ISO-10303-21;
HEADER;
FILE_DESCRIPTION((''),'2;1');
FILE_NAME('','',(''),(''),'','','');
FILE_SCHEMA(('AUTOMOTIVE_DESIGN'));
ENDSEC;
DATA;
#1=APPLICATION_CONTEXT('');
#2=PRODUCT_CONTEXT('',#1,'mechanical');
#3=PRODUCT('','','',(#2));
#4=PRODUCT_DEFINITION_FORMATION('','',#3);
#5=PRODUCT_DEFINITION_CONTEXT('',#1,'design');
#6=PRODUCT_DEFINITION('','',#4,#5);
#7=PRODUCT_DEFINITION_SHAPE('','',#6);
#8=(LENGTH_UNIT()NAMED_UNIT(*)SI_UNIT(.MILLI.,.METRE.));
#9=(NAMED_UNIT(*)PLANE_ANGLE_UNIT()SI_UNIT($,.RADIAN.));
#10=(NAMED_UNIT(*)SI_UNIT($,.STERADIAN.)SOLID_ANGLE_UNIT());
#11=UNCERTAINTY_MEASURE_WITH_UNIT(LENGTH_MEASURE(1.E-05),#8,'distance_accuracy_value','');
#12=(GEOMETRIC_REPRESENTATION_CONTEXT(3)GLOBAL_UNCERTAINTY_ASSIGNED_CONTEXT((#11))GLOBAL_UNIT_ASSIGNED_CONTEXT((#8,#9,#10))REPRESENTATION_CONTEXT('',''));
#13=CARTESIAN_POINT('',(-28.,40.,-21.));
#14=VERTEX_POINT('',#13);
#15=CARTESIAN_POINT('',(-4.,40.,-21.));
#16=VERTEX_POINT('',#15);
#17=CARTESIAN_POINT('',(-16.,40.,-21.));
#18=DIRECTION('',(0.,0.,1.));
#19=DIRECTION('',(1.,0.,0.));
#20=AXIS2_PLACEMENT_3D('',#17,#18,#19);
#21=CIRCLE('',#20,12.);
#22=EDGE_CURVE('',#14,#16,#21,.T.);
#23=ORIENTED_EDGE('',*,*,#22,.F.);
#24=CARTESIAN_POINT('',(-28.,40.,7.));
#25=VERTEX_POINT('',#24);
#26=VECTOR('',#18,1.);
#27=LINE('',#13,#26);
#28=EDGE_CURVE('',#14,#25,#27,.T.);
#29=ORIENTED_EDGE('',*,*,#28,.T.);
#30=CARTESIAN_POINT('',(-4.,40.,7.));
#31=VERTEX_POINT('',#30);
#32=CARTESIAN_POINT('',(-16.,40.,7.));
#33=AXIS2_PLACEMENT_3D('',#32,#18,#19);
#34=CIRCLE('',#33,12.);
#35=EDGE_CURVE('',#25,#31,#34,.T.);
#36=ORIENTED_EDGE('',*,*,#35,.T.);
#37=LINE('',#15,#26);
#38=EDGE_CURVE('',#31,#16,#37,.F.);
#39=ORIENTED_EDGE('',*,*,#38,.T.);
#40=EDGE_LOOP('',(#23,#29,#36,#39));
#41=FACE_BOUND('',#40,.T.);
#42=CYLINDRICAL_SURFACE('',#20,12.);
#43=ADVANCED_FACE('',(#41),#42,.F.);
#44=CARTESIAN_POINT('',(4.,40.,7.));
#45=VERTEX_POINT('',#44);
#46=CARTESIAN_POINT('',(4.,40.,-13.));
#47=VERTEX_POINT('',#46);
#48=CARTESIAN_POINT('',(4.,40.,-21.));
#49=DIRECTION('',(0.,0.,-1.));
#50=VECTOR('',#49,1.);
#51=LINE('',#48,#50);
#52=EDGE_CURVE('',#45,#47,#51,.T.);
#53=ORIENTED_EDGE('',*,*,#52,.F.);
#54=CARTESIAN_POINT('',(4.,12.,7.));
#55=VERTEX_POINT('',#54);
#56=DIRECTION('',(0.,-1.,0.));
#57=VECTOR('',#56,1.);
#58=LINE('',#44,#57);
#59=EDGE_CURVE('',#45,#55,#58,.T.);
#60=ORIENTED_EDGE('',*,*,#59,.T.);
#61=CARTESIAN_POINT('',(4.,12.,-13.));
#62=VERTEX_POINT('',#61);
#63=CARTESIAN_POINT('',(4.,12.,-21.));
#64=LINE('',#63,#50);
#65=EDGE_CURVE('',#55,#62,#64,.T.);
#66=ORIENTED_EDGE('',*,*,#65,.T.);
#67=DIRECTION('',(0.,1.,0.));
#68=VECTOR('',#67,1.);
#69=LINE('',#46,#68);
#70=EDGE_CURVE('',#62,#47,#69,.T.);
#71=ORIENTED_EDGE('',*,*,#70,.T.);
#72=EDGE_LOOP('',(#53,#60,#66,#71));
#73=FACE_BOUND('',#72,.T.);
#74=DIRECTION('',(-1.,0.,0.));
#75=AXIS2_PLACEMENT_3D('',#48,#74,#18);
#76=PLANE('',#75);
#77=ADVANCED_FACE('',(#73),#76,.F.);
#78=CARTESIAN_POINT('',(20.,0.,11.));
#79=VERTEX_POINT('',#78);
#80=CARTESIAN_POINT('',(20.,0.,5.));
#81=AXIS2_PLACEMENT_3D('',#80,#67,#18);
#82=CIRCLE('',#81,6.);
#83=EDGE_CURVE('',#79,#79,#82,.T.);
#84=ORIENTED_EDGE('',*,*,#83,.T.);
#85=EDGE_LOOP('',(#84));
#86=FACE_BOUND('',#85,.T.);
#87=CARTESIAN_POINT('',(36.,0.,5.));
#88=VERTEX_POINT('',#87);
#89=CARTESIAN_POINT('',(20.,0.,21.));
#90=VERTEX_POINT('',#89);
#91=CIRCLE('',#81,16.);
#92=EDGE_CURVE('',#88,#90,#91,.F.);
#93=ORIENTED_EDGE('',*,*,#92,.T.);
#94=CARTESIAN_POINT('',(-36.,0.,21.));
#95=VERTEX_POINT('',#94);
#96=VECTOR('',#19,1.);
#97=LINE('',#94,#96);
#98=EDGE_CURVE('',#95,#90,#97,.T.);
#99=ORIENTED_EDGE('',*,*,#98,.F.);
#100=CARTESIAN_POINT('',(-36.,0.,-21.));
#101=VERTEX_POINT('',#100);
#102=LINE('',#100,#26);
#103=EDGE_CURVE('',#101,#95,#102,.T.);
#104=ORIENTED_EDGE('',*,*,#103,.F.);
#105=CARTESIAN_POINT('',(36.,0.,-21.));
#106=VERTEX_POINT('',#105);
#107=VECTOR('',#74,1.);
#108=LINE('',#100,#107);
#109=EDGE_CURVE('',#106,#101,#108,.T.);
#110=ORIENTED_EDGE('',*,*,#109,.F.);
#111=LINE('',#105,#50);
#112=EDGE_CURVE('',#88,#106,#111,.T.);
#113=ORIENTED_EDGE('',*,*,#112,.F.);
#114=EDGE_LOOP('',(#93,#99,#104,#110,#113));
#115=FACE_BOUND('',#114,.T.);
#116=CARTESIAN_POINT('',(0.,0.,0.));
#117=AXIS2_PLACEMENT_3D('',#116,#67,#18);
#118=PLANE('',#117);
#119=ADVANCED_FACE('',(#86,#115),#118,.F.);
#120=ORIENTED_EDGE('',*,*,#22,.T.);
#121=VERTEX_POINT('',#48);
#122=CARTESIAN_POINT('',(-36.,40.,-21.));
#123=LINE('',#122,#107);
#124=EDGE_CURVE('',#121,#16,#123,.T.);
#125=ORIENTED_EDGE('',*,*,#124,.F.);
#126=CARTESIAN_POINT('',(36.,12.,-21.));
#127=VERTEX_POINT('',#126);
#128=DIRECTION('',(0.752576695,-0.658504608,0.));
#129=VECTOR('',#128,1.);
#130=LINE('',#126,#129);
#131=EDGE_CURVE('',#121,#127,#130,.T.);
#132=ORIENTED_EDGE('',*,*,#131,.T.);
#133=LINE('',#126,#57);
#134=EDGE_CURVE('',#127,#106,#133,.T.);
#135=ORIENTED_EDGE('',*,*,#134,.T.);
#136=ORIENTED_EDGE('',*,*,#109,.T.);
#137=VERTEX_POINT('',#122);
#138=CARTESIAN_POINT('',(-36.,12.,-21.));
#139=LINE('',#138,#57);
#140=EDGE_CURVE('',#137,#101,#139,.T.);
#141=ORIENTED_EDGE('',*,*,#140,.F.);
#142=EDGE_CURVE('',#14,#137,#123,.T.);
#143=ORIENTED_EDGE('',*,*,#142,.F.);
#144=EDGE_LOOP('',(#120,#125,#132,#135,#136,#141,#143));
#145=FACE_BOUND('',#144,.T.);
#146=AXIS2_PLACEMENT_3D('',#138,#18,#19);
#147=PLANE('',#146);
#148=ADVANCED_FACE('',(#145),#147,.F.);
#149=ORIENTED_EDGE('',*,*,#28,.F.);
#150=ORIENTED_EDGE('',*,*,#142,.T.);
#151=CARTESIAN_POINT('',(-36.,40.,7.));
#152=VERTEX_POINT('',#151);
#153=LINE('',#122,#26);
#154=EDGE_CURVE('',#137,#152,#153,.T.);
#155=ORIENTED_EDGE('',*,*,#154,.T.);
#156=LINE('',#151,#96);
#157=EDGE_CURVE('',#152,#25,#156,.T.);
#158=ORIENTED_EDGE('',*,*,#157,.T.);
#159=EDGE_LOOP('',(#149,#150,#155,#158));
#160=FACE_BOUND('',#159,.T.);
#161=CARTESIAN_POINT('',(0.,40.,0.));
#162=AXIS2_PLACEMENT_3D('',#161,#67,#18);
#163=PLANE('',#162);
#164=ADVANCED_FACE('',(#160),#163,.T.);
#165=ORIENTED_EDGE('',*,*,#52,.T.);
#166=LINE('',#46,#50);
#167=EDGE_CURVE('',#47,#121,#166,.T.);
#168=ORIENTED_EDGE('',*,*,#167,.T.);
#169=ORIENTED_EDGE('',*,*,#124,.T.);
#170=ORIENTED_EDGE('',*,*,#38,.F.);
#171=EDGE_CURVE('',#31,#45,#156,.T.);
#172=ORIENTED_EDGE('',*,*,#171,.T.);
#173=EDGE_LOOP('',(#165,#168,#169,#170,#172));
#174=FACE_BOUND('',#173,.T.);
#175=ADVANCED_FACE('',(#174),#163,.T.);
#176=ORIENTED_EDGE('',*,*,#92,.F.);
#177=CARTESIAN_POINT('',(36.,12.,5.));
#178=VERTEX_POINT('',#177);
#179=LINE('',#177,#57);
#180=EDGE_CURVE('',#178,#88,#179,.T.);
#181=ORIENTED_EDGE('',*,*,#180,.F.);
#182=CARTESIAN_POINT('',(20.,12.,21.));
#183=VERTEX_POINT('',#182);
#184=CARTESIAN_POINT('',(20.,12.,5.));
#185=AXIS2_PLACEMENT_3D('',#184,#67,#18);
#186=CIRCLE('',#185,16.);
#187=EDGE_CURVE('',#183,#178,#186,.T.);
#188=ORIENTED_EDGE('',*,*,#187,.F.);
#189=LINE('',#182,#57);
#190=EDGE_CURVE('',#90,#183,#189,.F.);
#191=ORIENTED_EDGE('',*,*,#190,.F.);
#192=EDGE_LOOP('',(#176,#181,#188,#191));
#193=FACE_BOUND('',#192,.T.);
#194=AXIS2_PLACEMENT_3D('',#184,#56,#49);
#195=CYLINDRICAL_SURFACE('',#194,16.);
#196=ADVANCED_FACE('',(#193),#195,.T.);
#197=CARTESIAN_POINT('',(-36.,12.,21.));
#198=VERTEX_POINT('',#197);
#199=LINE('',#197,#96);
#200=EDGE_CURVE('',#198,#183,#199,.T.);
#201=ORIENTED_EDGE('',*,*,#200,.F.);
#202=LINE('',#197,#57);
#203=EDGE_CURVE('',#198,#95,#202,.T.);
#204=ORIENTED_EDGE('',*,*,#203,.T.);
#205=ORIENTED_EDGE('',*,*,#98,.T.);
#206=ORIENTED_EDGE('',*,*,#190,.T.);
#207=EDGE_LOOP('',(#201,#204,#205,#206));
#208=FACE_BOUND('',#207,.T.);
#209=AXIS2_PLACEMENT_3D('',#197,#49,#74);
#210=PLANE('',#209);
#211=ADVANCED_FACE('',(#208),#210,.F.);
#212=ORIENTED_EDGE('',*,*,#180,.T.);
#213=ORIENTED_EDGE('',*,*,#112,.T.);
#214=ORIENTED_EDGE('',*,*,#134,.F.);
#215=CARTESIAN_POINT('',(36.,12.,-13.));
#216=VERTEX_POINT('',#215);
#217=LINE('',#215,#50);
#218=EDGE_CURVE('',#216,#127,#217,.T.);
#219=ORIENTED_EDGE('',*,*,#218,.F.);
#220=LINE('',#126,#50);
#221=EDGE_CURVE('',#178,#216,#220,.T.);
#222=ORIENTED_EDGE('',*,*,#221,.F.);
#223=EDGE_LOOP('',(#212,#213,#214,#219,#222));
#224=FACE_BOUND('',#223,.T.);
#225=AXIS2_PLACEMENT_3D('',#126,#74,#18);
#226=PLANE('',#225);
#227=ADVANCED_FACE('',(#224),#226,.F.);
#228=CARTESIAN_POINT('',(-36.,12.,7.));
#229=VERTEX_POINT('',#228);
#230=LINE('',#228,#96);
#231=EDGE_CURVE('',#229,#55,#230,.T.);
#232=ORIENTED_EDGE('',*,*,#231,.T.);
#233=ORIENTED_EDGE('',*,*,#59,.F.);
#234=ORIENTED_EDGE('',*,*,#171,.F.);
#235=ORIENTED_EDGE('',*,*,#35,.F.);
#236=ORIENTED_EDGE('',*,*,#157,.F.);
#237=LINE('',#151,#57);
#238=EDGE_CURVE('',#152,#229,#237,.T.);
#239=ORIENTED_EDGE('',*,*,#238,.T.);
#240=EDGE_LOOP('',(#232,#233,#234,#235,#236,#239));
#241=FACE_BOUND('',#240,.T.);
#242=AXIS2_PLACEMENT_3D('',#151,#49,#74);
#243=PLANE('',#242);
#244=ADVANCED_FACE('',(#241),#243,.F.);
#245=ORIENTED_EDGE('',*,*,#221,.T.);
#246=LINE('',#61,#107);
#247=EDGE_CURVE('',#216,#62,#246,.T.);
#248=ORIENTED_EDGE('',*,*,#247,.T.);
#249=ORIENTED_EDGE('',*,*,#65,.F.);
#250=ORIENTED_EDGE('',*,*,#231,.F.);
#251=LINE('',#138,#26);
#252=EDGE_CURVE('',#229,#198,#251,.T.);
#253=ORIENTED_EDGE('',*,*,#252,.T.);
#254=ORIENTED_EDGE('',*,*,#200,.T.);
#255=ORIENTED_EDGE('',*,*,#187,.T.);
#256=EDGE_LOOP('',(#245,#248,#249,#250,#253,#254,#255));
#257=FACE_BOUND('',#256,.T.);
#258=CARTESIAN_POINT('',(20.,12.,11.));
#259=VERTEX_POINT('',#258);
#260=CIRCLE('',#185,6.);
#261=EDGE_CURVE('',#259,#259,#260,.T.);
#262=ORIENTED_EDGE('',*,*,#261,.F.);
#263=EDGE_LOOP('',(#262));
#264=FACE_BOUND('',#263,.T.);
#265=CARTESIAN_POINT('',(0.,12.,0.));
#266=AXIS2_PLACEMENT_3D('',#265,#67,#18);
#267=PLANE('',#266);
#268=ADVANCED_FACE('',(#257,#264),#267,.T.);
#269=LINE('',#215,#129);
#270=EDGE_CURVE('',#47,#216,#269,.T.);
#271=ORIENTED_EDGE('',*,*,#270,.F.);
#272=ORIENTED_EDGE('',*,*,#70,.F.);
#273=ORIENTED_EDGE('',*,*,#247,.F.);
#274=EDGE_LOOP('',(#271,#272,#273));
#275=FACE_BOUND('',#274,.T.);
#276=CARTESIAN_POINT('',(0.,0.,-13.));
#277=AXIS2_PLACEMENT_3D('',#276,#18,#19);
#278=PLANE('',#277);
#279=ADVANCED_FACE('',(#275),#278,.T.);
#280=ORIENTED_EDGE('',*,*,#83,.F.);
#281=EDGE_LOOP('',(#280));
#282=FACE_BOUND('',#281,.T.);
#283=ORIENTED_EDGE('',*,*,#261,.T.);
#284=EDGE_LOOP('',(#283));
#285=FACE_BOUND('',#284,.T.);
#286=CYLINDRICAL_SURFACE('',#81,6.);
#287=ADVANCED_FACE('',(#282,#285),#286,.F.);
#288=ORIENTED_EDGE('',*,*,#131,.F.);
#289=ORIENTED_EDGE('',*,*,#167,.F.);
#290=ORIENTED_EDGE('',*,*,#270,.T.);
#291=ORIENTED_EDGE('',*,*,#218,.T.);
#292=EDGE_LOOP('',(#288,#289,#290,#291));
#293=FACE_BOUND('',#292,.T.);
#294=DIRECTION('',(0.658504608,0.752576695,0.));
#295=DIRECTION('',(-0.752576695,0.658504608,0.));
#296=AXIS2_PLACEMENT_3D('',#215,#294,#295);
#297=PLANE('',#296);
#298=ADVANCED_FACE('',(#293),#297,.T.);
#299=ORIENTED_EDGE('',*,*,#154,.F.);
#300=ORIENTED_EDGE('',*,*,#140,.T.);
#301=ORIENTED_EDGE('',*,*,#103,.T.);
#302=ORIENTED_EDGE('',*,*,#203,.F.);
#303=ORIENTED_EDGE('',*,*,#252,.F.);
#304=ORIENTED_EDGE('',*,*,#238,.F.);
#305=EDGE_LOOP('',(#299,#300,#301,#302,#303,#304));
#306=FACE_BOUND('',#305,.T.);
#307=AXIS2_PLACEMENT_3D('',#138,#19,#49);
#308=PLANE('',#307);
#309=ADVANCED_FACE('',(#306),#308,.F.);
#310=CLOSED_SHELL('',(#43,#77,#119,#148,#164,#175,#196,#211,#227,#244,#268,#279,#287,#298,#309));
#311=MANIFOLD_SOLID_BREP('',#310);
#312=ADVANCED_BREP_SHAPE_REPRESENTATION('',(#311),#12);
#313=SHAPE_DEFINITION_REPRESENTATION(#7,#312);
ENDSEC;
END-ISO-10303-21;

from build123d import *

# Parameters (mm, degrees)
SKETCH1_W           = 72
SKETCH1_H           = 42
BOSS_EXTRUDE1_DEPTH = 12
SKETCH2_W           = 40
SKETCH2_H           = 28
BOSS_EXTRUDE2_DEPTH = 28
SKETCH3_R           = 12
CUT_EXTRUDE1_DEPTH  = 29
BOSS_EXTRUDE3_DEPTH = 8
FILLET3_R           = 16
SKETCH5_R           = 6
CUT_EXTRUDE2_DEPTH  = 13


with BuildPart() as part:
    # Sketch1 → Boss-Extrude1 (new body)
    with BuildSketch(Plane(origin=(0, 0, 0), x_dir=(1, 0, 0), z_dir=(0, 1, 0))):
        Rectangle(SKETCH1_W, SKETCH1_H)
    extrude(amount=BOSS_EXTRUDE1_DEPTH)

    # Sketch2 → Boss-Extrude2 (add)
    with BuildSketch(Plane(origin=(0, 12, 0), x_dir=(1, 0, 0), z_dir=(0, 1, 0))):
        with Locations((-16, 7)):
            Rectangle(SKETCH2_W, SKETCH2_H)
    extrude(amount=BOSS_EXTRUDE2_DEPTH)

    # Sketch3 → Cut-Extrude1 (cut, through all)
    with BuildSketch(Plane.XY.offset(7)):
        with Locations((-16, 40)):
            Circle(SKETCH3_R)
    extrude(amount=-CUT_EXTRUDE1_DEPTH, mode=Mode.SUBTRACT)

    # Sketch4 → Boss-Extrude3 (add)
    with BuildSketch(Plane(origin=(0, 0, -21), x_dir=(-1, 0, 0), z_dir=(0, 0, -1))):
        Polygon((-4, 40), (-4, 12), (-36, 12), align=None)
    extrude(amount=-BOSS_EXTRUDE3_DEPTH)

    # Fillet3
    fillet3_edges = [part.edges().sort_by_distance(p)[0] for p in [
        (36, 6, 21),
    ]]
    fillet(fillet3_edges, radius=FILLET3_R)

    # Sketch5 → Cut-Extrude2 (cut, through all)
    with BuildSketch(Plane(origin=(0, 12, 0), x_dir=(1, 0, 0), z_dir=(0, 1, 0))):
        with Locations((20, -5)):
            Circle(SKETCH5_R)
    extrude(amount=-CUT_EXTRUDE2_DEPTH, mode=Mode.SUBTRACT)


solid = part.part
